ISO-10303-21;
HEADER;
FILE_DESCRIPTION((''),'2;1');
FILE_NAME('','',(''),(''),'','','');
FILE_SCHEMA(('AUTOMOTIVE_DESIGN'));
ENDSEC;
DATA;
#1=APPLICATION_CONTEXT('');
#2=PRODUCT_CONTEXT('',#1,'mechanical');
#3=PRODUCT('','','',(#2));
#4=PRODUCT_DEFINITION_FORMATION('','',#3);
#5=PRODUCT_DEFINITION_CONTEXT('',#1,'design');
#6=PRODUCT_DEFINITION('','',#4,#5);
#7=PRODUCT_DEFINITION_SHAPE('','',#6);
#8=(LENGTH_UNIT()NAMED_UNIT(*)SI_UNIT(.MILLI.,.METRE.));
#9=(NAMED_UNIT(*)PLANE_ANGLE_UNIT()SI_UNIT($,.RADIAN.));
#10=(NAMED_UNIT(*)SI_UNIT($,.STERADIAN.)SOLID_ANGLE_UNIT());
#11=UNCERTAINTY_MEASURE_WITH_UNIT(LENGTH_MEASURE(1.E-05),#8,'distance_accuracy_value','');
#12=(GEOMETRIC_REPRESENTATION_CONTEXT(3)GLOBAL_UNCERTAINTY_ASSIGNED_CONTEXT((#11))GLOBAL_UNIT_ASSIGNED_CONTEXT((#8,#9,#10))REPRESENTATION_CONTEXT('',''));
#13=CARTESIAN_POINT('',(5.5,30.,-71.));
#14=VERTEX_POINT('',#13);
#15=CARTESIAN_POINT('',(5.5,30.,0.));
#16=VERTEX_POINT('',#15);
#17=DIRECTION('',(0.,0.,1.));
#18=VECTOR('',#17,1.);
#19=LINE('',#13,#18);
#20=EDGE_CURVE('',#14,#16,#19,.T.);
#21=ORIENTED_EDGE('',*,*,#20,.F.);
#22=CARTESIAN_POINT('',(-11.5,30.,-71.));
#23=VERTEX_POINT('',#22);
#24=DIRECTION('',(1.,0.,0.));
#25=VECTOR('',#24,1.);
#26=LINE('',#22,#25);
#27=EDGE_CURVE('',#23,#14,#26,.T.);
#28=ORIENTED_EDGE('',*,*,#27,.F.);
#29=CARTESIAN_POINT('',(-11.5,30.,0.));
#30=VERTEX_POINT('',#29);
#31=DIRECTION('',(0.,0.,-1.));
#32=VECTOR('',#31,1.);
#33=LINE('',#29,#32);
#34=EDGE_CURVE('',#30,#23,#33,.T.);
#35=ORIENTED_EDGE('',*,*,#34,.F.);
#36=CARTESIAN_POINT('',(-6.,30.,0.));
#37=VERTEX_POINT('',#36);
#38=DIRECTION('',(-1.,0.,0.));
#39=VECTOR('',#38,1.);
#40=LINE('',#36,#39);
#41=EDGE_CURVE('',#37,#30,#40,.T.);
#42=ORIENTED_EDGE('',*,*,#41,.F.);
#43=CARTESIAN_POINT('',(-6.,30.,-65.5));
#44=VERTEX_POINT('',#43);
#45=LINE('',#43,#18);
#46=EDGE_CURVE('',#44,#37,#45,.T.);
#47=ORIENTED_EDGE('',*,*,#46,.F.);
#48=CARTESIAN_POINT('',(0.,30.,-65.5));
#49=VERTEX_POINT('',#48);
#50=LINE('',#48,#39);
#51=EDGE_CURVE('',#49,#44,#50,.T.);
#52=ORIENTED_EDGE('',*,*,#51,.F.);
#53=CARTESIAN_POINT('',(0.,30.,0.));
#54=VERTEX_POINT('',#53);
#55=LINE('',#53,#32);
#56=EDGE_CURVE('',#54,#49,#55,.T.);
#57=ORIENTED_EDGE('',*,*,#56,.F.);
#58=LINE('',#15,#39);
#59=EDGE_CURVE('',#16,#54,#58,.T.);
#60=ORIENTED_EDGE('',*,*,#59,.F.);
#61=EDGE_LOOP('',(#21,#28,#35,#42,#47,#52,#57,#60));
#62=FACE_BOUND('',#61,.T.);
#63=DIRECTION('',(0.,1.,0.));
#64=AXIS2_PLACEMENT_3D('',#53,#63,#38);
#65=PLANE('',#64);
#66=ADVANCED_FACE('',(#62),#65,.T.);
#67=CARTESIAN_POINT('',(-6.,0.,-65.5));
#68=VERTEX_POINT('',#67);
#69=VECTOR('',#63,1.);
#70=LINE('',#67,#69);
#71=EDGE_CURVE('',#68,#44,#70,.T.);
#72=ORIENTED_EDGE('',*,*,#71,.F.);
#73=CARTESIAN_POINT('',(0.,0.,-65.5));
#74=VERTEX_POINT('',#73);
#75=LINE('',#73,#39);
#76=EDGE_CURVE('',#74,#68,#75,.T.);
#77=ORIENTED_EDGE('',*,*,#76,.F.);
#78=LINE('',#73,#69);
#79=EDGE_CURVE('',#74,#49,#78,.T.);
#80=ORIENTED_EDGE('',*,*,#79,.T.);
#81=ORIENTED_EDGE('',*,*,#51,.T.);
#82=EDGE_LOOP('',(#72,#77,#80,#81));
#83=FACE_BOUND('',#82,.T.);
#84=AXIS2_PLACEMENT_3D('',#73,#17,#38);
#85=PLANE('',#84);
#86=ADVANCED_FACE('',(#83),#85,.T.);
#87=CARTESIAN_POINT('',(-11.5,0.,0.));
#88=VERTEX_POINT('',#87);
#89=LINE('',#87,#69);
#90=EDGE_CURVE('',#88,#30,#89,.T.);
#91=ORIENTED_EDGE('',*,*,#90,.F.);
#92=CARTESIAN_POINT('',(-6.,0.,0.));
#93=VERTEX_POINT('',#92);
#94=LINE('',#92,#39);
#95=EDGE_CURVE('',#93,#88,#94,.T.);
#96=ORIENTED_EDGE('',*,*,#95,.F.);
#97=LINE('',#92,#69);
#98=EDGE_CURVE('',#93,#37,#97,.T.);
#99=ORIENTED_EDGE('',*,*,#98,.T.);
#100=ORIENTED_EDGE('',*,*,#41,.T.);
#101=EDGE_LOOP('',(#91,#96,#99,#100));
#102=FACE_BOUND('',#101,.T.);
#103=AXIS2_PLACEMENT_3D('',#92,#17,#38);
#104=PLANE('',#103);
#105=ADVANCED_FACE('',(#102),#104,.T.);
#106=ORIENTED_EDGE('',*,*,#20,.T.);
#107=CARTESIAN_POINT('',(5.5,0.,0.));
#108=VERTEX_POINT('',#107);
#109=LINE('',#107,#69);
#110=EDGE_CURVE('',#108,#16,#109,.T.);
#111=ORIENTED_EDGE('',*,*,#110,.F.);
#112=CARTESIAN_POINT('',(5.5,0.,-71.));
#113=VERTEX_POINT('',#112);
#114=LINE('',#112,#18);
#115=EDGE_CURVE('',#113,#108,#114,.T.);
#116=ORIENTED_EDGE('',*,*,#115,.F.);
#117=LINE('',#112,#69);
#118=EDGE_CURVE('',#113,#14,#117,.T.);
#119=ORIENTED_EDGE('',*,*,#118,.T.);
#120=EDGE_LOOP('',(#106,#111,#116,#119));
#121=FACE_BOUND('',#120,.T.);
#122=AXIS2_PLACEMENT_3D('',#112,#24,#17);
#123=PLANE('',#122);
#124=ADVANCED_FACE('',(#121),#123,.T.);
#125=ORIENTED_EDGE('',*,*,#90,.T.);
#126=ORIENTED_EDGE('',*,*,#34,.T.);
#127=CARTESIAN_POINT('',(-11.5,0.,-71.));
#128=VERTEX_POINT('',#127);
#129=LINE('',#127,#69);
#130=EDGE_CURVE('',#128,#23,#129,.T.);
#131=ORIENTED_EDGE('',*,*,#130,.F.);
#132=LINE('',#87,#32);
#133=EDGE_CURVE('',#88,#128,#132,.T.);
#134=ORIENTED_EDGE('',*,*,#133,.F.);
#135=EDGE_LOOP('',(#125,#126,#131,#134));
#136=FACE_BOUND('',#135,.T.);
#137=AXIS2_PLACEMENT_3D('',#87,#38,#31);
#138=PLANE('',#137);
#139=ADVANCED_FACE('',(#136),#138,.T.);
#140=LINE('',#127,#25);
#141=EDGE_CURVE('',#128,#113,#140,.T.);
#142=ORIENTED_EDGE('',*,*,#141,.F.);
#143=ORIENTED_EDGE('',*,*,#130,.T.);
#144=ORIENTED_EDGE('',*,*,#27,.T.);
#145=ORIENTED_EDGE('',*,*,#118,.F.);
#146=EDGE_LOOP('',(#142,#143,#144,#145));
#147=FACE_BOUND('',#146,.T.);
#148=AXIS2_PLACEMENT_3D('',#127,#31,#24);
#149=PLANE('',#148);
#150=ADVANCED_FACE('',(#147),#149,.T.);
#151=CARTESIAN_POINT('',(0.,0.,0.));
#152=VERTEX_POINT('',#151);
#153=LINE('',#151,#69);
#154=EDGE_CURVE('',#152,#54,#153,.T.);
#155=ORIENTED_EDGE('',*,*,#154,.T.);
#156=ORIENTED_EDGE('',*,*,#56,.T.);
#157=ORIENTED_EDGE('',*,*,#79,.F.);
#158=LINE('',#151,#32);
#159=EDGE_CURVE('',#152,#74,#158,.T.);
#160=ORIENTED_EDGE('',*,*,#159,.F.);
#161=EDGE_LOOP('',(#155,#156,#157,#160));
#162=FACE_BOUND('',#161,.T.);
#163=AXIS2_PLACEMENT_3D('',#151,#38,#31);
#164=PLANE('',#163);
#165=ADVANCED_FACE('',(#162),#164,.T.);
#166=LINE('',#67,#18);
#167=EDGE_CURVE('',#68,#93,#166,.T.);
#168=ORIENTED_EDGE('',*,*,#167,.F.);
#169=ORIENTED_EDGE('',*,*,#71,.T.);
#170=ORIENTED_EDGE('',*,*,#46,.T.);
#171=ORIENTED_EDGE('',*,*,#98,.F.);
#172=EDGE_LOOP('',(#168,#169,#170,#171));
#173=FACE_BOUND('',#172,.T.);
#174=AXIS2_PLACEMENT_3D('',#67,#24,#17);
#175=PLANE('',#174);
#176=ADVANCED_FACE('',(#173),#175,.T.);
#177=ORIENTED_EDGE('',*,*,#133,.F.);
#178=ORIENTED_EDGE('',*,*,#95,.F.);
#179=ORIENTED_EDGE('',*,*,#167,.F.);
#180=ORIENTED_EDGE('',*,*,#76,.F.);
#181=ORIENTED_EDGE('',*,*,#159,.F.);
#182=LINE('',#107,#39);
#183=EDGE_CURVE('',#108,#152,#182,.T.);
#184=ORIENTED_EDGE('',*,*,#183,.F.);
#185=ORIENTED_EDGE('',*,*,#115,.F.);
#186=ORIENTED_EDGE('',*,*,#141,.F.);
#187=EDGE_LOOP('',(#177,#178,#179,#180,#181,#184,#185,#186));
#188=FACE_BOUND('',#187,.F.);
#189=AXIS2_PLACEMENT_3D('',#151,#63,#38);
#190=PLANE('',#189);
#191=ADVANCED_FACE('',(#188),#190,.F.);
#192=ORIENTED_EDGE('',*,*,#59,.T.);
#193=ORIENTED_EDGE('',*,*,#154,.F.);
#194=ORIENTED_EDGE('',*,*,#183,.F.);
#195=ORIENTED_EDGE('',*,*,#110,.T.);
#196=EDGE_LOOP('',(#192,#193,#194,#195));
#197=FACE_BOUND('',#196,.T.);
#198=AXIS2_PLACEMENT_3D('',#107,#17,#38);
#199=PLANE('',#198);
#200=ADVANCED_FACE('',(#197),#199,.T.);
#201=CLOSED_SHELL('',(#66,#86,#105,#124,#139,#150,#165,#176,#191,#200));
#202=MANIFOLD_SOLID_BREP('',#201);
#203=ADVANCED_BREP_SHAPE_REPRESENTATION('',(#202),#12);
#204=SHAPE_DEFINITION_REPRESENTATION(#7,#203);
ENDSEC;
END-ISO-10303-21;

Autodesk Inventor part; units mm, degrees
ref_plane "YZ Plane" through (0, 0, 0) normal (1, 0, 0) x (0, 1, 0)
ref_plane "XZ Plane" through (0, 0, 0) normal (0, 1, 0) x (-1, 0, 0)
ref_plane "XY Plane" through (0, 0, 0) normal (0, 0, 1) x (1, 0, 0)
sketch "Sketch1" plane through (0, 0, 0) normal (0, 1, 0) x (-1, 0, 0)
  line L0 (0, 0) -> (0, -65.5)
  line L1 (0, -65.5) -> (6, -65.5)
  line L2 (6, -65.5) -> (6, 0)
  line L3 (6, 0) -> (11.5, 0)
  line L4 (11.5, 0) -> (11.5, -71)
  line L5 (11.5, -71) -> (-5.5, -71)
  line L6 (-5.5, -71) -> (-5.5, 0)
  line L7 (-5.5, 0) -> (0, 0)
  dimension "d0" = 65.5
  dimension "d1" = 6
  dimension "d2" = 5.5
  dimension "d3" = 71
  dimension "d4" = 17
extrude "Extrusion1" add sketch "Sketch1" along normal blind 30
sketch "Sketch2" plane through (-11.5, 0, -71) normal (-1, 0, 0) x (0, 0, 1)
  point P0 (71, 0)
properties part number "CouplerFAA"
